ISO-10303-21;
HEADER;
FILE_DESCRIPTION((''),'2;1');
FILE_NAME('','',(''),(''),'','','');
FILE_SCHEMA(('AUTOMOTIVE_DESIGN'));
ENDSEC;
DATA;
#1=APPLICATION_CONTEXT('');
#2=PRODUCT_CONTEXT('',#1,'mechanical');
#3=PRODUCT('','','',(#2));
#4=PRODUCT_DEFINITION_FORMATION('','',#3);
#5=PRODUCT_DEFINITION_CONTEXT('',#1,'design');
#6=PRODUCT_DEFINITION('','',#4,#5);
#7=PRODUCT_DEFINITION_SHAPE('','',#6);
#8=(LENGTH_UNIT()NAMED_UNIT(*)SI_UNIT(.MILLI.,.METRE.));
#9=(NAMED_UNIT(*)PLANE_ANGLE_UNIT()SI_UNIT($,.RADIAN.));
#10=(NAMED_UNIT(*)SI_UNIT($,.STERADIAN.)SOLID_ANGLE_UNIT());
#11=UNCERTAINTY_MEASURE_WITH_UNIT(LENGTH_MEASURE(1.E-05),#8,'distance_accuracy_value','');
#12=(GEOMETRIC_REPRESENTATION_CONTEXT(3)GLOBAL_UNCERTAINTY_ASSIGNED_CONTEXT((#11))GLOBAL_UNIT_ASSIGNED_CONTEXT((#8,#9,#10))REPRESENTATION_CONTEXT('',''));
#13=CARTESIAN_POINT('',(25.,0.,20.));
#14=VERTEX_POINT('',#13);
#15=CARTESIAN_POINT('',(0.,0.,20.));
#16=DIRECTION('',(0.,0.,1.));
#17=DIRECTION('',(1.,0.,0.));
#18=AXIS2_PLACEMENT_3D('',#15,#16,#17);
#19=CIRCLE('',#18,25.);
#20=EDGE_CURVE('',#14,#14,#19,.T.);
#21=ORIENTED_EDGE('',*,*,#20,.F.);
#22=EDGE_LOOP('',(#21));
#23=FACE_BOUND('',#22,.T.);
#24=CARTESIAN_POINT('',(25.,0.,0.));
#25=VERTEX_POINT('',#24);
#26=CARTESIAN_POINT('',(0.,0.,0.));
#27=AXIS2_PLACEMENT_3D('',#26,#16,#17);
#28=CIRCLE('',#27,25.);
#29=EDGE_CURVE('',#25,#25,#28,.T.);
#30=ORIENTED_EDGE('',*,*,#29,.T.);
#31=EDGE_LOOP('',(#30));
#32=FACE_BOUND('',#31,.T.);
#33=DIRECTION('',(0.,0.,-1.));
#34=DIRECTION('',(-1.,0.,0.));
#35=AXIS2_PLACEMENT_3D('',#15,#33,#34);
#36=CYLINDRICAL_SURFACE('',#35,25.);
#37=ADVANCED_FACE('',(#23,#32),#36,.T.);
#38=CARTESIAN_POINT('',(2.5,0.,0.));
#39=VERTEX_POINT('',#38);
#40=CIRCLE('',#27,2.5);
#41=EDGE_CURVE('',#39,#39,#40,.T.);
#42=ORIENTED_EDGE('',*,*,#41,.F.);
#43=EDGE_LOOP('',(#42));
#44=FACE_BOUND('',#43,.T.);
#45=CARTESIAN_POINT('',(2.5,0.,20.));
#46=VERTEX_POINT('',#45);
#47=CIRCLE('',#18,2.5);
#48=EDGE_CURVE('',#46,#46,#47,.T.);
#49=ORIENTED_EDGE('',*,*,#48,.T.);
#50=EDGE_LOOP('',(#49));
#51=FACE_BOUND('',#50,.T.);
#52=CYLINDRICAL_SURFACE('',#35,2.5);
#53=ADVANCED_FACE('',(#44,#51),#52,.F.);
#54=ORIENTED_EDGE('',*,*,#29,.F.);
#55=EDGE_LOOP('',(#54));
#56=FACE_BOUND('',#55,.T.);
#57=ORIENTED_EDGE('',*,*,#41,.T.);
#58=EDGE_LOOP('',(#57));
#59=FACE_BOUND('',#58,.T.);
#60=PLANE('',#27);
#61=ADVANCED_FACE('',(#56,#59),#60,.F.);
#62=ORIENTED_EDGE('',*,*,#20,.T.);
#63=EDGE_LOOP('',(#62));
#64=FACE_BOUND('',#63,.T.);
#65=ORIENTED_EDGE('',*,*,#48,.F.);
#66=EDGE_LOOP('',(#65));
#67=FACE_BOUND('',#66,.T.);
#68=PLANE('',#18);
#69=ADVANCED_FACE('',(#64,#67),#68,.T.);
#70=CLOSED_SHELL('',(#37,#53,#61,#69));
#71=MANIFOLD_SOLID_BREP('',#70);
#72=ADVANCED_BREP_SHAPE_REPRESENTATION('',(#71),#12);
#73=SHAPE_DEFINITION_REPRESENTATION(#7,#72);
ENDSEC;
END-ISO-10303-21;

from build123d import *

# Parameters (mm, degrees)
ESQUISSE1_R      = 25
ESQUISSE1_R_2    = 2.5
EXTRUSION1_DEPTH = 20


with BuildPart() as part:
    # Esquisse1 → Extrusion1 (new body)
    with BuildSketch(Plane.XY):
        Circle(ESQUISSE1_R)
        Circle(ESQUISSE1_R_2, mode=Mode.SUBTRACT)
    extrude(amount=EXTRUSION1_DEPTH)


solid = part.part
